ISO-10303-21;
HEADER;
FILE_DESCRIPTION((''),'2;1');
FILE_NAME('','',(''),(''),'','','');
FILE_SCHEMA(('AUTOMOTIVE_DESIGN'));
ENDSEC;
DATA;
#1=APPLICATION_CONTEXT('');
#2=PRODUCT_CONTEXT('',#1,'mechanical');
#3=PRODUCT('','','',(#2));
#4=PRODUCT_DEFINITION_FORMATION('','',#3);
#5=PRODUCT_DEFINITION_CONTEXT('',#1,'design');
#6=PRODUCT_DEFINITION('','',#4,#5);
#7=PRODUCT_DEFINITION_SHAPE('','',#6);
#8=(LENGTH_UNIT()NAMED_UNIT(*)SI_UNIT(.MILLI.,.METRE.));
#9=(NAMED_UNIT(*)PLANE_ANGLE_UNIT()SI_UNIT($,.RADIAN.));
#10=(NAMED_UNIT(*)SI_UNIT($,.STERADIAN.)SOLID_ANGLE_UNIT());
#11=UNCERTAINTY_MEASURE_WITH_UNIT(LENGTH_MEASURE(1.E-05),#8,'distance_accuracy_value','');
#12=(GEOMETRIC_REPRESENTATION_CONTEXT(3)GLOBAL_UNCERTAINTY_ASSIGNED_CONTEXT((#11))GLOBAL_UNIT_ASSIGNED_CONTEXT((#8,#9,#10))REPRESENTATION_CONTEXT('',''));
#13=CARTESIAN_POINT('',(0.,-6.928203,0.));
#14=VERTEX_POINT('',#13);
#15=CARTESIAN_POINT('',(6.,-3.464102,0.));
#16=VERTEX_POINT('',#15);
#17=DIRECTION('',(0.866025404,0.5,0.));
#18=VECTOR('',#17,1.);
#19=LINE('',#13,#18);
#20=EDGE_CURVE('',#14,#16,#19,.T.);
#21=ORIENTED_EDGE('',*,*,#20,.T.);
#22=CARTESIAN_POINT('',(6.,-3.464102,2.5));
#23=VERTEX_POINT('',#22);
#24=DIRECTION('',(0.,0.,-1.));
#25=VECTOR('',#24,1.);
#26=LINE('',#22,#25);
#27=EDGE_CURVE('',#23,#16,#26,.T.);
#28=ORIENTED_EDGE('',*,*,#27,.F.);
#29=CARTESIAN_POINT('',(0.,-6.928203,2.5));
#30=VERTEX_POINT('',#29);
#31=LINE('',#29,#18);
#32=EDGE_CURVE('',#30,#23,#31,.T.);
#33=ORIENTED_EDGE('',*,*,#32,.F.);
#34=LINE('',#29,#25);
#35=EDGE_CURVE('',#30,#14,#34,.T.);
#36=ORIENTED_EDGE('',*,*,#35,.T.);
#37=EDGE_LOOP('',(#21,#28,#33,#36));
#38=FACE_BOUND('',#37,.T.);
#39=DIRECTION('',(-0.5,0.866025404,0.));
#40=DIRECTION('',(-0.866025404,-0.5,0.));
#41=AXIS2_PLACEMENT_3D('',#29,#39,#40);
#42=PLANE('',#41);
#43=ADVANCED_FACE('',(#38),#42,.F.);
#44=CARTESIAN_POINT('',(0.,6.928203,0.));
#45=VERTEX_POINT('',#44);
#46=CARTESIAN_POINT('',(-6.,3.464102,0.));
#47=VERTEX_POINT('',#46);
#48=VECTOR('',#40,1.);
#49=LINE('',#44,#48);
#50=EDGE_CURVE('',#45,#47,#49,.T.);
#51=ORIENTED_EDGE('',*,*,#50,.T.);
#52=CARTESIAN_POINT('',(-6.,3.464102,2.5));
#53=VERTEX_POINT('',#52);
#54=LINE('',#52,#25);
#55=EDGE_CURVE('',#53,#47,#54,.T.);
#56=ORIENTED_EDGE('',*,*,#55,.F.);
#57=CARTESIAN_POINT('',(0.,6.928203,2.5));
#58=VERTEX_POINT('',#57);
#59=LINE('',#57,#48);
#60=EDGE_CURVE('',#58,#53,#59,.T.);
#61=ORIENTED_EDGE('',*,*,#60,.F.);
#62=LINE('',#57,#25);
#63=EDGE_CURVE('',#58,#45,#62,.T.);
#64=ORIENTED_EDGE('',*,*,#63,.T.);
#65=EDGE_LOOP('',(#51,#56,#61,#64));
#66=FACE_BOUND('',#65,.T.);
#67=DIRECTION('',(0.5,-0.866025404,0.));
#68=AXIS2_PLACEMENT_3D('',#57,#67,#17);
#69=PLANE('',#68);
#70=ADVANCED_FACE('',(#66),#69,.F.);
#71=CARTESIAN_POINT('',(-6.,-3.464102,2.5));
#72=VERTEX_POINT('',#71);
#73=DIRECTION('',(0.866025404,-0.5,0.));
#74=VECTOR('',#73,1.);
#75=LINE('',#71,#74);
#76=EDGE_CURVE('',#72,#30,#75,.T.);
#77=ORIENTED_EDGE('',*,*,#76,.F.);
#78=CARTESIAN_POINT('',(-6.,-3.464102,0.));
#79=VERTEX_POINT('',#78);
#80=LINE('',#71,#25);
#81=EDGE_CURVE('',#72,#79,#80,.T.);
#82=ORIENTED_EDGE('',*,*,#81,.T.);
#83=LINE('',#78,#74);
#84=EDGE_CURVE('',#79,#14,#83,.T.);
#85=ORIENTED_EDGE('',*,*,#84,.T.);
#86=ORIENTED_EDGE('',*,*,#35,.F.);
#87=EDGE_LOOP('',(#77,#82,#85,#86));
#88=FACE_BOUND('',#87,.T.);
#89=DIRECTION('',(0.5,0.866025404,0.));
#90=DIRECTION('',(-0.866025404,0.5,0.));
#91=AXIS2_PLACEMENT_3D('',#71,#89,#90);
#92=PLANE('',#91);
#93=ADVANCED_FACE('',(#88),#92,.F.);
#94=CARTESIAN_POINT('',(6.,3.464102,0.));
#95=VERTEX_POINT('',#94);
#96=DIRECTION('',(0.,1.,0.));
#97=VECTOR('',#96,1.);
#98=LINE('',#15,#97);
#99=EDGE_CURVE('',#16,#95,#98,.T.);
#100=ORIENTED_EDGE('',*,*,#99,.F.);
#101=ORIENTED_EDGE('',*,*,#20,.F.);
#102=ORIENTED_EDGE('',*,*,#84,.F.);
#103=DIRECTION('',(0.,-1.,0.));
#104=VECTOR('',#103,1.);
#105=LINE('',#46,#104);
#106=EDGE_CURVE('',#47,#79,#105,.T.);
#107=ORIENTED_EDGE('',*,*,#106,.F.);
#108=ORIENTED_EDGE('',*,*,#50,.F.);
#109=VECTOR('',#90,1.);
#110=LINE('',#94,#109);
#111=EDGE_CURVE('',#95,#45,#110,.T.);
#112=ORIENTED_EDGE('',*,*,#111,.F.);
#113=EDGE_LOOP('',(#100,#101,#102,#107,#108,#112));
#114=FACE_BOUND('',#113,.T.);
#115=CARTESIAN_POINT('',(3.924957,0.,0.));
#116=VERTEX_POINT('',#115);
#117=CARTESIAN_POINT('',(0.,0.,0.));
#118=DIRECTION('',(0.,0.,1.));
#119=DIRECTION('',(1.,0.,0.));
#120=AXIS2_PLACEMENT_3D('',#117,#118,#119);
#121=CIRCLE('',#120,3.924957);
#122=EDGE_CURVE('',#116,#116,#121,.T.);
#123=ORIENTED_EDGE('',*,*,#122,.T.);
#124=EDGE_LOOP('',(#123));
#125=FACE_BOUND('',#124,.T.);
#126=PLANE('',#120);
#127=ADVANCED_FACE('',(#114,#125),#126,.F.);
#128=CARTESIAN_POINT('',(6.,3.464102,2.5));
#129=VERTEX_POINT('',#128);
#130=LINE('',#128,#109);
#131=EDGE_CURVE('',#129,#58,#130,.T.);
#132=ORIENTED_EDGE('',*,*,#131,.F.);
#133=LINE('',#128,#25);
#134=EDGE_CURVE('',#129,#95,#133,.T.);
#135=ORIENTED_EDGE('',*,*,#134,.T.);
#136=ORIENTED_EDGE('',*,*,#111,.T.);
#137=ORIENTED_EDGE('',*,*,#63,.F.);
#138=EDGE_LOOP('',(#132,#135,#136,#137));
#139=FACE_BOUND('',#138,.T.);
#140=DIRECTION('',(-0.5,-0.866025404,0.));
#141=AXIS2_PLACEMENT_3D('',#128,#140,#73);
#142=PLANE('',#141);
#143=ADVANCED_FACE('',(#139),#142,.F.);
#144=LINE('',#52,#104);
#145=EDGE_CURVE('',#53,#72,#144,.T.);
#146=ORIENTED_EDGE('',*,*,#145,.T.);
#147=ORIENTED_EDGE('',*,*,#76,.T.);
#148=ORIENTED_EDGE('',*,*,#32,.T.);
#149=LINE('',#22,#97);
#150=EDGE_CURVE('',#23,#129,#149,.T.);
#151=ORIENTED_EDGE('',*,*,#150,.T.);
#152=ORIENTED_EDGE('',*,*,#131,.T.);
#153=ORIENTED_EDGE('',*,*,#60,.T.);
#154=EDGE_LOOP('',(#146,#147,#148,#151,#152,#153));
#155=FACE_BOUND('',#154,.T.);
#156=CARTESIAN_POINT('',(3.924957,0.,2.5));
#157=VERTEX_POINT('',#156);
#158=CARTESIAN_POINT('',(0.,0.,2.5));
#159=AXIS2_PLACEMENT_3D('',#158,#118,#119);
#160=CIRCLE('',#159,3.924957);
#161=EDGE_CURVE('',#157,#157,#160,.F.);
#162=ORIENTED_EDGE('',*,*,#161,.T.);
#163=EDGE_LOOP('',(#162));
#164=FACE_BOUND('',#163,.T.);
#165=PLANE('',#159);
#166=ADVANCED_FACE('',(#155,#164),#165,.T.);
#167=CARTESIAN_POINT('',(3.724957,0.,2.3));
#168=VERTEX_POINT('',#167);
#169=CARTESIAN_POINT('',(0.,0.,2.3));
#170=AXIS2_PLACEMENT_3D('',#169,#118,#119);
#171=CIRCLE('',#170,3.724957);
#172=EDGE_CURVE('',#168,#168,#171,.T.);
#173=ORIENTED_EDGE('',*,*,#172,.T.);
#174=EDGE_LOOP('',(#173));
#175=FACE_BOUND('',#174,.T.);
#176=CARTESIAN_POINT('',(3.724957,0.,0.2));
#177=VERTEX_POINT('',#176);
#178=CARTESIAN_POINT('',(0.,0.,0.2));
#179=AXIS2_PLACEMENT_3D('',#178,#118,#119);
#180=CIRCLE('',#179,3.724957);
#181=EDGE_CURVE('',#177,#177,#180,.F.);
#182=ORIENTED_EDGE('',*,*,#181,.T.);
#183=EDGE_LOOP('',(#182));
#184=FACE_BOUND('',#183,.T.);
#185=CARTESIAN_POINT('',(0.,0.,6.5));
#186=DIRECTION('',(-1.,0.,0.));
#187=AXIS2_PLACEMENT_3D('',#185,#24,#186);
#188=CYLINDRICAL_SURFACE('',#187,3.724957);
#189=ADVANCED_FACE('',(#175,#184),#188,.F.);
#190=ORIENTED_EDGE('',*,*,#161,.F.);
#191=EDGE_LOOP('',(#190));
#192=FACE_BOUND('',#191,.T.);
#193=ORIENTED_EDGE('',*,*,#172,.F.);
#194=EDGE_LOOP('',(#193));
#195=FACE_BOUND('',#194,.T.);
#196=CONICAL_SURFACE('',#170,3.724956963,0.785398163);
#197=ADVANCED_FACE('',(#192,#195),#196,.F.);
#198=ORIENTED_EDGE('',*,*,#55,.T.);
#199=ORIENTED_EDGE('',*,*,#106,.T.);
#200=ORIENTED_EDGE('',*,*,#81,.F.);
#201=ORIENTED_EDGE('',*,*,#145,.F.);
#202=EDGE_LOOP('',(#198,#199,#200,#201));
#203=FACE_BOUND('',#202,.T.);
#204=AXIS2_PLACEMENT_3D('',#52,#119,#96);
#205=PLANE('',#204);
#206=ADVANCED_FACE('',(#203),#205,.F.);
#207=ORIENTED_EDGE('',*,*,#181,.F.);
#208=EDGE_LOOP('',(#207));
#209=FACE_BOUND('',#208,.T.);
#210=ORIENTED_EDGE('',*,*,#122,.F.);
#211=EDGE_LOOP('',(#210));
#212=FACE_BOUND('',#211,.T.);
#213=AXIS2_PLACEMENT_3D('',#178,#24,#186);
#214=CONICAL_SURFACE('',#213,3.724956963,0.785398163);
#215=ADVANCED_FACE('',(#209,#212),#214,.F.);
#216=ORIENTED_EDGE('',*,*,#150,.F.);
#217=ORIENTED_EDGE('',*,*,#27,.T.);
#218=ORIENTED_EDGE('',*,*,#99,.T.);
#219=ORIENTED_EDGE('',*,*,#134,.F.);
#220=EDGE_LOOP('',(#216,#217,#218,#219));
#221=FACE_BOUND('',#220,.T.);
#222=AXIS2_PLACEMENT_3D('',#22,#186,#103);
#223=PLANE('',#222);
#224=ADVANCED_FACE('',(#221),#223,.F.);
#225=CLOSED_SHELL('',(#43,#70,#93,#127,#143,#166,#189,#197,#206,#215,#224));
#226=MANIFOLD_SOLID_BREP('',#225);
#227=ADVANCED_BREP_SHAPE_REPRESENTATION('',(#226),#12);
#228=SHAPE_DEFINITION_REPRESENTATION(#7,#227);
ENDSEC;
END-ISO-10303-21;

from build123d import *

# Parameters (mm, degrees)
EXTRUDE_1_DEPTH     = 2.5
SKETCH_3_R          = 3.724956963
CUT_EXTRUDE_1_DEPTH = 6.5
CHAMFER_1_SIZE      = 0.2


with BuildPart() as part:
    # 草图2 → 凸台-拉伸1 (new body)
    with BuildSketch(Plane.XY):
        Polygon((0, 6.92820323), (-6, 3.464101615), (-6, -3.464101615), (0, -6.92820323), (6, -3.464101615), (6, 3.464101615), align=None)
    extrude(amount=EXTRUDE_1_DEPTH)

    # 草图3 → 切除-拉伸1 (cut)
    with BuildSketch(Plane(origin=(0, 0, 0), x_dir=(-1, 0, 0), z_dir=(0, 0, -1))):
        Circle(SKETCH_3_R)
    extrude(amount=-CUT_EXTRUDE_1_DEPTH, mode=Mode.SUBTRACT)

    # 倒角1
    chamfer_1_edges = [part.edges().sort_by_distance(p)[0] for p in [
        (3.724956963, 0, 2.5),
        (3.724956963, 0, 0),
    ]]
    chamfer(chamfer_1_edges, length=CHAMFER_1_SIZE)


solid = part.part
